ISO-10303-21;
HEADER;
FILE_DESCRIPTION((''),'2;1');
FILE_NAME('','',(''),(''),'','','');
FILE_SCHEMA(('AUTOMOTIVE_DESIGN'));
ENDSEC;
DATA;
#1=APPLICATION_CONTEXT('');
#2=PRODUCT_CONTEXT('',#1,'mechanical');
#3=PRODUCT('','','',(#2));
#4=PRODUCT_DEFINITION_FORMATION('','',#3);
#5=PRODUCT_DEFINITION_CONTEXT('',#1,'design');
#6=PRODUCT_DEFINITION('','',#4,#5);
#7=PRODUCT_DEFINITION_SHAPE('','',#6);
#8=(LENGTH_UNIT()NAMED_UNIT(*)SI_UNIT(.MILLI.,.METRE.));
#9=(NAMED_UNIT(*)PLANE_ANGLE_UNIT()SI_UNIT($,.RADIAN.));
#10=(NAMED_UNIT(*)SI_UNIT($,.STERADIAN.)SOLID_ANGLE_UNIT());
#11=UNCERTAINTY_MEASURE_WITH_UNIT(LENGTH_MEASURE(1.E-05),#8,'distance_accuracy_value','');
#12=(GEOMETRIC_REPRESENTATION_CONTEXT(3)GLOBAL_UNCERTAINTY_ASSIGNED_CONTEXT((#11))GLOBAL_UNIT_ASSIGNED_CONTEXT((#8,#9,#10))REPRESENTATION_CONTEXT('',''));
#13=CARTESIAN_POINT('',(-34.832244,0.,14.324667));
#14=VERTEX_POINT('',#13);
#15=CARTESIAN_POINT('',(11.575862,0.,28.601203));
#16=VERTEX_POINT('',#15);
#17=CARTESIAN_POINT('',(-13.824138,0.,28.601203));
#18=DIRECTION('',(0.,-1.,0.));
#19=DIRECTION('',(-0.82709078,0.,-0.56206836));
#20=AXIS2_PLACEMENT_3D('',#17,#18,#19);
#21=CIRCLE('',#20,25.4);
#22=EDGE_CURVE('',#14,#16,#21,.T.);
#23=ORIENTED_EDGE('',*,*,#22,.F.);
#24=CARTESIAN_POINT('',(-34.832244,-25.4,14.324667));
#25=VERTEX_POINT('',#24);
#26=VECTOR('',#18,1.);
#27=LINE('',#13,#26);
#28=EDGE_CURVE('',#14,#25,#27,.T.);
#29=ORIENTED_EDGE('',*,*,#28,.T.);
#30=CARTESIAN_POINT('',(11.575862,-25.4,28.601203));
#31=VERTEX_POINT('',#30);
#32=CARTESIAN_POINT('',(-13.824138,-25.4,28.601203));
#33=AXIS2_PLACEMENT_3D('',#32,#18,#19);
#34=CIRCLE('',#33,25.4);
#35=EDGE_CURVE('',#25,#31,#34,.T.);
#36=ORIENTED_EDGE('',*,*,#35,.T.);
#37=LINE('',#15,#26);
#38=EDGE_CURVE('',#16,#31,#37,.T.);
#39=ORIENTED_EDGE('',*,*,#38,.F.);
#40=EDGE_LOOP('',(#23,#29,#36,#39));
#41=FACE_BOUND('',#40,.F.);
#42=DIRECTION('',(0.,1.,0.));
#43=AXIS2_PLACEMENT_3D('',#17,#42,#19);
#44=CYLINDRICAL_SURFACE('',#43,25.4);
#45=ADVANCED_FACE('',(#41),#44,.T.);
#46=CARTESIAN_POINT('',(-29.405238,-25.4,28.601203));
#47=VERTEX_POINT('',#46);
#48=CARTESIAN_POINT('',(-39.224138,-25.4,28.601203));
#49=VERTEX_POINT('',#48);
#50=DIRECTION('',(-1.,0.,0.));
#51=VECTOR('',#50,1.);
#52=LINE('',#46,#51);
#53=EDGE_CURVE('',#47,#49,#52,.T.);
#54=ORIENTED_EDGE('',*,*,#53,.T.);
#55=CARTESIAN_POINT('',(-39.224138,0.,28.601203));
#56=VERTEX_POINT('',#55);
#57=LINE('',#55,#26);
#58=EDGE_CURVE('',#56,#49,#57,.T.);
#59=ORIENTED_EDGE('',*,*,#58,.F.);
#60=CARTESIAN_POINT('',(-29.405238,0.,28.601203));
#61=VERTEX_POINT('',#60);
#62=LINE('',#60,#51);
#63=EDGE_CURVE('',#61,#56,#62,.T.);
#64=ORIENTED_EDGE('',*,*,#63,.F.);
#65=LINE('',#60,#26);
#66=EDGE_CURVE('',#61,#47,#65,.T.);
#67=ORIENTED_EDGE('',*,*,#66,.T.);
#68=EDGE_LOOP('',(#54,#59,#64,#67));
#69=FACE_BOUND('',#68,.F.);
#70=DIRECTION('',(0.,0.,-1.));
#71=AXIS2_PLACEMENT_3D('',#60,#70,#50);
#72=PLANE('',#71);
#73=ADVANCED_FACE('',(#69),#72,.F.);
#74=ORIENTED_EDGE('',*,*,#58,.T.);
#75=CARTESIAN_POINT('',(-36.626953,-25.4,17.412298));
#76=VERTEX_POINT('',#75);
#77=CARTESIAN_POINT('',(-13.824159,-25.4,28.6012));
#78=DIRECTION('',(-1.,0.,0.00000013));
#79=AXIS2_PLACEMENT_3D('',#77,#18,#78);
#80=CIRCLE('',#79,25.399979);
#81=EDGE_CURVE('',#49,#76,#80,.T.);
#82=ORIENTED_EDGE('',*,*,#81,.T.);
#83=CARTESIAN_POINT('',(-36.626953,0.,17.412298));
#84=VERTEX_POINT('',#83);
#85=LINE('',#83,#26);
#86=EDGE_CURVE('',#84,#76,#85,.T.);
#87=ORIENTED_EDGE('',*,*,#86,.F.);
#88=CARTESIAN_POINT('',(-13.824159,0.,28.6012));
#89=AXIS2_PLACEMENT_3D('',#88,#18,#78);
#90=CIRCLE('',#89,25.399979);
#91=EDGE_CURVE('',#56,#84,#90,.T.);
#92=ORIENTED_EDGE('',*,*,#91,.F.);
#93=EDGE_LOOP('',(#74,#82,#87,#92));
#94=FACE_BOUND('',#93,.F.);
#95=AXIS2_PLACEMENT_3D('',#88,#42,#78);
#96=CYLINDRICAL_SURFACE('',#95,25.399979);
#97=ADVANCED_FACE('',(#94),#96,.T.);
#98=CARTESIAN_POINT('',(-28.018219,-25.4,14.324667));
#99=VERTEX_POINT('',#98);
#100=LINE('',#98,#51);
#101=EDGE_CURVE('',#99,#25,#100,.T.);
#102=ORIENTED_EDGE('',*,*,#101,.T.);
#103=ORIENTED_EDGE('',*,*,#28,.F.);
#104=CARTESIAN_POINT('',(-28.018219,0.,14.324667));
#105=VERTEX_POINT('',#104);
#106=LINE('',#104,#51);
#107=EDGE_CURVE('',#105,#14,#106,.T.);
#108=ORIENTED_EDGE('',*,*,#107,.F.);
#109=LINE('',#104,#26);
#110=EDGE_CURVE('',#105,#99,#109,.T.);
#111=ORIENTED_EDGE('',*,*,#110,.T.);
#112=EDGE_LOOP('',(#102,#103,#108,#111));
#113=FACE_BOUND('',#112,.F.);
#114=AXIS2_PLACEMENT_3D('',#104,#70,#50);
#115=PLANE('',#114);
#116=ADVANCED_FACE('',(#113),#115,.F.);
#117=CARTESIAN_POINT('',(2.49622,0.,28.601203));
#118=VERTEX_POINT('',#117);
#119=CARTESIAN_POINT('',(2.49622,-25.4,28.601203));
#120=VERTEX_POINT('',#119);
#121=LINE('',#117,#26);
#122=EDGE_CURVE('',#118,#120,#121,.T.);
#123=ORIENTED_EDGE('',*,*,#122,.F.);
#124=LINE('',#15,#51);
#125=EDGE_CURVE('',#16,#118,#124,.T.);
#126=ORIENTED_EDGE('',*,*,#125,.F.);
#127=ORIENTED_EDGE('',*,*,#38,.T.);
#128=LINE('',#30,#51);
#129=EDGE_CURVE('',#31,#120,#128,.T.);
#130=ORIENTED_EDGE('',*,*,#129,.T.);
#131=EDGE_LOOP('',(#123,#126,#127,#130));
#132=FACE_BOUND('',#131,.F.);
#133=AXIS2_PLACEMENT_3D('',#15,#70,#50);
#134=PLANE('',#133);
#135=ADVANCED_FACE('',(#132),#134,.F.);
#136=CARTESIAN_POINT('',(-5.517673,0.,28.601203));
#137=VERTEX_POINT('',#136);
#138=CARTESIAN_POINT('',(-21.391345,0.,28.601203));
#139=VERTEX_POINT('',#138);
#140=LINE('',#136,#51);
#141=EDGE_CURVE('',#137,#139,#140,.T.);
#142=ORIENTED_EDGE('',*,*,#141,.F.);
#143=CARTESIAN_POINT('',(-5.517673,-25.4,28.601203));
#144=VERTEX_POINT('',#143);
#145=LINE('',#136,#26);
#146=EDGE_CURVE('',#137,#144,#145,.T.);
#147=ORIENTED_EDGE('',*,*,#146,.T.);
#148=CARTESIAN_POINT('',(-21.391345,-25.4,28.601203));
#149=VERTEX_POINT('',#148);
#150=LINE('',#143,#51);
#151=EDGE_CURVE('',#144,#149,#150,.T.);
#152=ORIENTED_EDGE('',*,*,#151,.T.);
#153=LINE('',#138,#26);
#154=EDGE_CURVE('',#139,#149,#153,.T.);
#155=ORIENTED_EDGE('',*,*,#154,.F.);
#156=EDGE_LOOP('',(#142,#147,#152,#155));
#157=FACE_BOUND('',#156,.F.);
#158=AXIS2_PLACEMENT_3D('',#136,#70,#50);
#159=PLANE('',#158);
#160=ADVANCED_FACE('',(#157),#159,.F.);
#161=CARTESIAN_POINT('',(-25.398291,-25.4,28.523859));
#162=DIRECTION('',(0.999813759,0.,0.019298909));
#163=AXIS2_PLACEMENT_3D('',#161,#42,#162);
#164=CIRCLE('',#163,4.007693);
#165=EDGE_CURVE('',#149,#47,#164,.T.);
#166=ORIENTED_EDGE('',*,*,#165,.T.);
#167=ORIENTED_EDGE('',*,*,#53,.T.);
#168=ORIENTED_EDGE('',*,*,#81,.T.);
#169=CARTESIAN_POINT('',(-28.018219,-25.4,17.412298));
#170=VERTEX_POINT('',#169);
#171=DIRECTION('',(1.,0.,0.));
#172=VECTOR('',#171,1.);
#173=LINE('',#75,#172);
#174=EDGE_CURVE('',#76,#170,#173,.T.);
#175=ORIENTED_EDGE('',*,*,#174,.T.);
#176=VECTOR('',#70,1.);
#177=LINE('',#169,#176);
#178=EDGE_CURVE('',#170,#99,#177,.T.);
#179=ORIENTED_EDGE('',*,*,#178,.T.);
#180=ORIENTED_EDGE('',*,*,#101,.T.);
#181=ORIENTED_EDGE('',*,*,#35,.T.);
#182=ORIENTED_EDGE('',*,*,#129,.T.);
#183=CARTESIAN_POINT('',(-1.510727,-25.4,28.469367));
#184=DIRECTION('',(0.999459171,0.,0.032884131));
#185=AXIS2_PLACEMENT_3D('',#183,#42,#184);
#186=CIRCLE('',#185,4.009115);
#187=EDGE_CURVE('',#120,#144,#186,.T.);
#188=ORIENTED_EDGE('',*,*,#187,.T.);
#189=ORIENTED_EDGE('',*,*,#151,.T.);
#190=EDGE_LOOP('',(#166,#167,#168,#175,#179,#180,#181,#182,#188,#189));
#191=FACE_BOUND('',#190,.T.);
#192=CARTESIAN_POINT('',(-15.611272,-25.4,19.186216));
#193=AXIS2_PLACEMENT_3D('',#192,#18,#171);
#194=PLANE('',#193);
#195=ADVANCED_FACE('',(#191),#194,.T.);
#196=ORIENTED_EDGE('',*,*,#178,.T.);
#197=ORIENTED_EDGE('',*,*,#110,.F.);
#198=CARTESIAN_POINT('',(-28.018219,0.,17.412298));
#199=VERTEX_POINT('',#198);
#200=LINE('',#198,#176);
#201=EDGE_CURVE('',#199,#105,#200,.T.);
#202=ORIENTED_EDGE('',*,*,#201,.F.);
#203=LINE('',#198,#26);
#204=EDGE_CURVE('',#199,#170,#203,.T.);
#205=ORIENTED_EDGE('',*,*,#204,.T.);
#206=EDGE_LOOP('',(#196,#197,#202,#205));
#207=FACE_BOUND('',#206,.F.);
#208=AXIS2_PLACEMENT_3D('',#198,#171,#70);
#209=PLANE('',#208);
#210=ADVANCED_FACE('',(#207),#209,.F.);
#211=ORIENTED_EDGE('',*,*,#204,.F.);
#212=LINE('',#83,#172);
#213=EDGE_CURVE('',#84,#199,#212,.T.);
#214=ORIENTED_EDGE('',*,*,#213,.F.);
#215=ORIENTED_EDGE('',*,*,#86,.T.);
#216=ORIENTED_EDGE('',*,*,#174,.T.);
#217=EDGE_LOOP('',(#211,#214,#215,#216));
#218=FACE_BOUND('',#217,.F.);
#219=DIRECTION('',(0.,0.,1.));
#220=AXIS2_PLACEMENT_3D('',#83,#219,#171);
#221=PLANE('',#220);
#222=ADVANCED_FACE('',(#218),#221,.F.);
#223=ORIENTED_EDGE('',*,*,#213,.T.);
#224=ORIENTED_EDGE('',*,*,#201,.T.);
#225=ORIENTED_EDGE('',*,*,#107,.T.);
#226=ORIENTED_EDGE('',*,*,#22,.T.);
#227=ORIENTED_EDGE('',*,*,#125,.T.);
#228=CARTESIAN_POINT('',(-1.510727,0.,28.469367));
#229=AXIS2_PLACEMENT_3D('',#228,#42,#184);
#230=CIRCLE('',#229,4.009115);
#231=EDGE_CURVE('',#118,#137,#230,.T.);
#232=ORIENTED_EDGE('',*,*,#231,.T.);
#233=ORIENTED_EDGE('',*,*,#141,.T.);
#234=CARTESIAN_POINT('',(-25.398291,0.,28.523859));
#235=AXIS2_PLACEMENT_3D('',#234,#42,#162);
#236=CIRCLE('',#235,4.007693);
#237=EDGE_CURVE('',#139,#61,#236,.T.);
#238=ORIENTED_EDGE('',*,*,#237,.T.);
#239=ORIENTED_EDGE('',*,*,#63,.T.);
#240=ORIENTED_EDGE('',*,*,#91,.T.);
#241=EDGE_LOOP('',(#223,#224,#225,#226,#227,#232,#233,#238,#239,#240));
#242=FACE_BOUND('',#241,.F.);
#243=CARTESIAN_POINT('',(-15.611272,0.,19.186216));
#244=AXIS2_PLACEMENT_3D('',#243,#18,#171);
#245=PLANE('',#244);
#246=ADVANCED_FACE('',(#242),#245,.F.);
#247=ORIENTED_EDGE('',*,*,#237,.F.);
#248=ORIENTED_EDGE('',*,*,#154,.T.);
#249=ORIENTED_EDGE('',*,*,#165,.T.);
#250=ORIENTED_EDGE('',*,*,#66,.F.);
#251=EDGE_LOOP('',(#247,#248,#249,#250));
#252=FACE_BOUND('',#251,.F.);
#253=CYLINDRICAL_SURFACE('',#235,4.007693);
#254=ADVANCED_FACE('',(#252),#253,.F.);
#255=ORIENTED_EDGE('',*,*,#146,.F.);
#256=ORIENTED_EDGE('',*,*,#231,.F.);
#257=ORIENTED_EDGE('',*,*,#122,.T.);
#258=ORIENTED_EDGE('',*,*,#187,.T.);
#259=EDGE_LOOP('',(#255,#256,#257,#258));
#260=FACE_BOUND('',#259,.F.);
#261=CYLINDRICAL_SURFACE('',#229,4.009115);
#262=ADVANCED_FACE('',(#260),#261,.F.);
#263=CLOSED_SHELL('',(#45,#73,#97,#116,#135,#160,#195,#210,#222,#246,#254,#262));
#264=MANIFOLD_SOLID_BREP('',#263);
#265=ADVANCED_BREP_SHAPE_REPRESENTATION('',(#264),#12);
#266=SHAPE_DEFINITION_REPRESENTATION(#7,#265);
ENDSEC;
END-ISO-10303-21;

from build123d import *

# Parameters (mm, degrees)
F1_DEPTH = 25.4


with BuildPart() as f1:
    # F0 (on Front) → F1 (new body)
    with BuildSketch(Plane.XZ):
        with BuildLine():
            Line((-29.405238, 28.601203), (-39.224138, 28.601203))
            ThreePointArc((-39.224138, 28.601203), (-38.566324, 22.858012), (-36.626953, 17.412298))
            Line((-36.626953, 17.412298), (-28.018219, 17.412298))
            Line((-28.018219, 17.412298), (-28.018219, 14.324667))
            Line((-28.018219, 14.324667), (-34.832244, 14.324667))
            ThreePointArc((-34.832244, 14.324667), (-6.355734, 4.323993), (11.575862, 28.601203))
            Line((11.575862, 28.601203), (2.49622, 28.601203))
            ThreePointArc((2.49622, 28.601203), (-1.510726, 24.460252), (-5.517673, 28.601203))
            Line((-5.517673, 28.601203), (-21.391345, 28.601203))
            ThreePointArc((-21.391345, 28.601203), (-25.398292, 24.516166), (-29.405238, 28.601203))
        make_face()
    extrude(amount=F1_DEPTH)


solid = f1.part
